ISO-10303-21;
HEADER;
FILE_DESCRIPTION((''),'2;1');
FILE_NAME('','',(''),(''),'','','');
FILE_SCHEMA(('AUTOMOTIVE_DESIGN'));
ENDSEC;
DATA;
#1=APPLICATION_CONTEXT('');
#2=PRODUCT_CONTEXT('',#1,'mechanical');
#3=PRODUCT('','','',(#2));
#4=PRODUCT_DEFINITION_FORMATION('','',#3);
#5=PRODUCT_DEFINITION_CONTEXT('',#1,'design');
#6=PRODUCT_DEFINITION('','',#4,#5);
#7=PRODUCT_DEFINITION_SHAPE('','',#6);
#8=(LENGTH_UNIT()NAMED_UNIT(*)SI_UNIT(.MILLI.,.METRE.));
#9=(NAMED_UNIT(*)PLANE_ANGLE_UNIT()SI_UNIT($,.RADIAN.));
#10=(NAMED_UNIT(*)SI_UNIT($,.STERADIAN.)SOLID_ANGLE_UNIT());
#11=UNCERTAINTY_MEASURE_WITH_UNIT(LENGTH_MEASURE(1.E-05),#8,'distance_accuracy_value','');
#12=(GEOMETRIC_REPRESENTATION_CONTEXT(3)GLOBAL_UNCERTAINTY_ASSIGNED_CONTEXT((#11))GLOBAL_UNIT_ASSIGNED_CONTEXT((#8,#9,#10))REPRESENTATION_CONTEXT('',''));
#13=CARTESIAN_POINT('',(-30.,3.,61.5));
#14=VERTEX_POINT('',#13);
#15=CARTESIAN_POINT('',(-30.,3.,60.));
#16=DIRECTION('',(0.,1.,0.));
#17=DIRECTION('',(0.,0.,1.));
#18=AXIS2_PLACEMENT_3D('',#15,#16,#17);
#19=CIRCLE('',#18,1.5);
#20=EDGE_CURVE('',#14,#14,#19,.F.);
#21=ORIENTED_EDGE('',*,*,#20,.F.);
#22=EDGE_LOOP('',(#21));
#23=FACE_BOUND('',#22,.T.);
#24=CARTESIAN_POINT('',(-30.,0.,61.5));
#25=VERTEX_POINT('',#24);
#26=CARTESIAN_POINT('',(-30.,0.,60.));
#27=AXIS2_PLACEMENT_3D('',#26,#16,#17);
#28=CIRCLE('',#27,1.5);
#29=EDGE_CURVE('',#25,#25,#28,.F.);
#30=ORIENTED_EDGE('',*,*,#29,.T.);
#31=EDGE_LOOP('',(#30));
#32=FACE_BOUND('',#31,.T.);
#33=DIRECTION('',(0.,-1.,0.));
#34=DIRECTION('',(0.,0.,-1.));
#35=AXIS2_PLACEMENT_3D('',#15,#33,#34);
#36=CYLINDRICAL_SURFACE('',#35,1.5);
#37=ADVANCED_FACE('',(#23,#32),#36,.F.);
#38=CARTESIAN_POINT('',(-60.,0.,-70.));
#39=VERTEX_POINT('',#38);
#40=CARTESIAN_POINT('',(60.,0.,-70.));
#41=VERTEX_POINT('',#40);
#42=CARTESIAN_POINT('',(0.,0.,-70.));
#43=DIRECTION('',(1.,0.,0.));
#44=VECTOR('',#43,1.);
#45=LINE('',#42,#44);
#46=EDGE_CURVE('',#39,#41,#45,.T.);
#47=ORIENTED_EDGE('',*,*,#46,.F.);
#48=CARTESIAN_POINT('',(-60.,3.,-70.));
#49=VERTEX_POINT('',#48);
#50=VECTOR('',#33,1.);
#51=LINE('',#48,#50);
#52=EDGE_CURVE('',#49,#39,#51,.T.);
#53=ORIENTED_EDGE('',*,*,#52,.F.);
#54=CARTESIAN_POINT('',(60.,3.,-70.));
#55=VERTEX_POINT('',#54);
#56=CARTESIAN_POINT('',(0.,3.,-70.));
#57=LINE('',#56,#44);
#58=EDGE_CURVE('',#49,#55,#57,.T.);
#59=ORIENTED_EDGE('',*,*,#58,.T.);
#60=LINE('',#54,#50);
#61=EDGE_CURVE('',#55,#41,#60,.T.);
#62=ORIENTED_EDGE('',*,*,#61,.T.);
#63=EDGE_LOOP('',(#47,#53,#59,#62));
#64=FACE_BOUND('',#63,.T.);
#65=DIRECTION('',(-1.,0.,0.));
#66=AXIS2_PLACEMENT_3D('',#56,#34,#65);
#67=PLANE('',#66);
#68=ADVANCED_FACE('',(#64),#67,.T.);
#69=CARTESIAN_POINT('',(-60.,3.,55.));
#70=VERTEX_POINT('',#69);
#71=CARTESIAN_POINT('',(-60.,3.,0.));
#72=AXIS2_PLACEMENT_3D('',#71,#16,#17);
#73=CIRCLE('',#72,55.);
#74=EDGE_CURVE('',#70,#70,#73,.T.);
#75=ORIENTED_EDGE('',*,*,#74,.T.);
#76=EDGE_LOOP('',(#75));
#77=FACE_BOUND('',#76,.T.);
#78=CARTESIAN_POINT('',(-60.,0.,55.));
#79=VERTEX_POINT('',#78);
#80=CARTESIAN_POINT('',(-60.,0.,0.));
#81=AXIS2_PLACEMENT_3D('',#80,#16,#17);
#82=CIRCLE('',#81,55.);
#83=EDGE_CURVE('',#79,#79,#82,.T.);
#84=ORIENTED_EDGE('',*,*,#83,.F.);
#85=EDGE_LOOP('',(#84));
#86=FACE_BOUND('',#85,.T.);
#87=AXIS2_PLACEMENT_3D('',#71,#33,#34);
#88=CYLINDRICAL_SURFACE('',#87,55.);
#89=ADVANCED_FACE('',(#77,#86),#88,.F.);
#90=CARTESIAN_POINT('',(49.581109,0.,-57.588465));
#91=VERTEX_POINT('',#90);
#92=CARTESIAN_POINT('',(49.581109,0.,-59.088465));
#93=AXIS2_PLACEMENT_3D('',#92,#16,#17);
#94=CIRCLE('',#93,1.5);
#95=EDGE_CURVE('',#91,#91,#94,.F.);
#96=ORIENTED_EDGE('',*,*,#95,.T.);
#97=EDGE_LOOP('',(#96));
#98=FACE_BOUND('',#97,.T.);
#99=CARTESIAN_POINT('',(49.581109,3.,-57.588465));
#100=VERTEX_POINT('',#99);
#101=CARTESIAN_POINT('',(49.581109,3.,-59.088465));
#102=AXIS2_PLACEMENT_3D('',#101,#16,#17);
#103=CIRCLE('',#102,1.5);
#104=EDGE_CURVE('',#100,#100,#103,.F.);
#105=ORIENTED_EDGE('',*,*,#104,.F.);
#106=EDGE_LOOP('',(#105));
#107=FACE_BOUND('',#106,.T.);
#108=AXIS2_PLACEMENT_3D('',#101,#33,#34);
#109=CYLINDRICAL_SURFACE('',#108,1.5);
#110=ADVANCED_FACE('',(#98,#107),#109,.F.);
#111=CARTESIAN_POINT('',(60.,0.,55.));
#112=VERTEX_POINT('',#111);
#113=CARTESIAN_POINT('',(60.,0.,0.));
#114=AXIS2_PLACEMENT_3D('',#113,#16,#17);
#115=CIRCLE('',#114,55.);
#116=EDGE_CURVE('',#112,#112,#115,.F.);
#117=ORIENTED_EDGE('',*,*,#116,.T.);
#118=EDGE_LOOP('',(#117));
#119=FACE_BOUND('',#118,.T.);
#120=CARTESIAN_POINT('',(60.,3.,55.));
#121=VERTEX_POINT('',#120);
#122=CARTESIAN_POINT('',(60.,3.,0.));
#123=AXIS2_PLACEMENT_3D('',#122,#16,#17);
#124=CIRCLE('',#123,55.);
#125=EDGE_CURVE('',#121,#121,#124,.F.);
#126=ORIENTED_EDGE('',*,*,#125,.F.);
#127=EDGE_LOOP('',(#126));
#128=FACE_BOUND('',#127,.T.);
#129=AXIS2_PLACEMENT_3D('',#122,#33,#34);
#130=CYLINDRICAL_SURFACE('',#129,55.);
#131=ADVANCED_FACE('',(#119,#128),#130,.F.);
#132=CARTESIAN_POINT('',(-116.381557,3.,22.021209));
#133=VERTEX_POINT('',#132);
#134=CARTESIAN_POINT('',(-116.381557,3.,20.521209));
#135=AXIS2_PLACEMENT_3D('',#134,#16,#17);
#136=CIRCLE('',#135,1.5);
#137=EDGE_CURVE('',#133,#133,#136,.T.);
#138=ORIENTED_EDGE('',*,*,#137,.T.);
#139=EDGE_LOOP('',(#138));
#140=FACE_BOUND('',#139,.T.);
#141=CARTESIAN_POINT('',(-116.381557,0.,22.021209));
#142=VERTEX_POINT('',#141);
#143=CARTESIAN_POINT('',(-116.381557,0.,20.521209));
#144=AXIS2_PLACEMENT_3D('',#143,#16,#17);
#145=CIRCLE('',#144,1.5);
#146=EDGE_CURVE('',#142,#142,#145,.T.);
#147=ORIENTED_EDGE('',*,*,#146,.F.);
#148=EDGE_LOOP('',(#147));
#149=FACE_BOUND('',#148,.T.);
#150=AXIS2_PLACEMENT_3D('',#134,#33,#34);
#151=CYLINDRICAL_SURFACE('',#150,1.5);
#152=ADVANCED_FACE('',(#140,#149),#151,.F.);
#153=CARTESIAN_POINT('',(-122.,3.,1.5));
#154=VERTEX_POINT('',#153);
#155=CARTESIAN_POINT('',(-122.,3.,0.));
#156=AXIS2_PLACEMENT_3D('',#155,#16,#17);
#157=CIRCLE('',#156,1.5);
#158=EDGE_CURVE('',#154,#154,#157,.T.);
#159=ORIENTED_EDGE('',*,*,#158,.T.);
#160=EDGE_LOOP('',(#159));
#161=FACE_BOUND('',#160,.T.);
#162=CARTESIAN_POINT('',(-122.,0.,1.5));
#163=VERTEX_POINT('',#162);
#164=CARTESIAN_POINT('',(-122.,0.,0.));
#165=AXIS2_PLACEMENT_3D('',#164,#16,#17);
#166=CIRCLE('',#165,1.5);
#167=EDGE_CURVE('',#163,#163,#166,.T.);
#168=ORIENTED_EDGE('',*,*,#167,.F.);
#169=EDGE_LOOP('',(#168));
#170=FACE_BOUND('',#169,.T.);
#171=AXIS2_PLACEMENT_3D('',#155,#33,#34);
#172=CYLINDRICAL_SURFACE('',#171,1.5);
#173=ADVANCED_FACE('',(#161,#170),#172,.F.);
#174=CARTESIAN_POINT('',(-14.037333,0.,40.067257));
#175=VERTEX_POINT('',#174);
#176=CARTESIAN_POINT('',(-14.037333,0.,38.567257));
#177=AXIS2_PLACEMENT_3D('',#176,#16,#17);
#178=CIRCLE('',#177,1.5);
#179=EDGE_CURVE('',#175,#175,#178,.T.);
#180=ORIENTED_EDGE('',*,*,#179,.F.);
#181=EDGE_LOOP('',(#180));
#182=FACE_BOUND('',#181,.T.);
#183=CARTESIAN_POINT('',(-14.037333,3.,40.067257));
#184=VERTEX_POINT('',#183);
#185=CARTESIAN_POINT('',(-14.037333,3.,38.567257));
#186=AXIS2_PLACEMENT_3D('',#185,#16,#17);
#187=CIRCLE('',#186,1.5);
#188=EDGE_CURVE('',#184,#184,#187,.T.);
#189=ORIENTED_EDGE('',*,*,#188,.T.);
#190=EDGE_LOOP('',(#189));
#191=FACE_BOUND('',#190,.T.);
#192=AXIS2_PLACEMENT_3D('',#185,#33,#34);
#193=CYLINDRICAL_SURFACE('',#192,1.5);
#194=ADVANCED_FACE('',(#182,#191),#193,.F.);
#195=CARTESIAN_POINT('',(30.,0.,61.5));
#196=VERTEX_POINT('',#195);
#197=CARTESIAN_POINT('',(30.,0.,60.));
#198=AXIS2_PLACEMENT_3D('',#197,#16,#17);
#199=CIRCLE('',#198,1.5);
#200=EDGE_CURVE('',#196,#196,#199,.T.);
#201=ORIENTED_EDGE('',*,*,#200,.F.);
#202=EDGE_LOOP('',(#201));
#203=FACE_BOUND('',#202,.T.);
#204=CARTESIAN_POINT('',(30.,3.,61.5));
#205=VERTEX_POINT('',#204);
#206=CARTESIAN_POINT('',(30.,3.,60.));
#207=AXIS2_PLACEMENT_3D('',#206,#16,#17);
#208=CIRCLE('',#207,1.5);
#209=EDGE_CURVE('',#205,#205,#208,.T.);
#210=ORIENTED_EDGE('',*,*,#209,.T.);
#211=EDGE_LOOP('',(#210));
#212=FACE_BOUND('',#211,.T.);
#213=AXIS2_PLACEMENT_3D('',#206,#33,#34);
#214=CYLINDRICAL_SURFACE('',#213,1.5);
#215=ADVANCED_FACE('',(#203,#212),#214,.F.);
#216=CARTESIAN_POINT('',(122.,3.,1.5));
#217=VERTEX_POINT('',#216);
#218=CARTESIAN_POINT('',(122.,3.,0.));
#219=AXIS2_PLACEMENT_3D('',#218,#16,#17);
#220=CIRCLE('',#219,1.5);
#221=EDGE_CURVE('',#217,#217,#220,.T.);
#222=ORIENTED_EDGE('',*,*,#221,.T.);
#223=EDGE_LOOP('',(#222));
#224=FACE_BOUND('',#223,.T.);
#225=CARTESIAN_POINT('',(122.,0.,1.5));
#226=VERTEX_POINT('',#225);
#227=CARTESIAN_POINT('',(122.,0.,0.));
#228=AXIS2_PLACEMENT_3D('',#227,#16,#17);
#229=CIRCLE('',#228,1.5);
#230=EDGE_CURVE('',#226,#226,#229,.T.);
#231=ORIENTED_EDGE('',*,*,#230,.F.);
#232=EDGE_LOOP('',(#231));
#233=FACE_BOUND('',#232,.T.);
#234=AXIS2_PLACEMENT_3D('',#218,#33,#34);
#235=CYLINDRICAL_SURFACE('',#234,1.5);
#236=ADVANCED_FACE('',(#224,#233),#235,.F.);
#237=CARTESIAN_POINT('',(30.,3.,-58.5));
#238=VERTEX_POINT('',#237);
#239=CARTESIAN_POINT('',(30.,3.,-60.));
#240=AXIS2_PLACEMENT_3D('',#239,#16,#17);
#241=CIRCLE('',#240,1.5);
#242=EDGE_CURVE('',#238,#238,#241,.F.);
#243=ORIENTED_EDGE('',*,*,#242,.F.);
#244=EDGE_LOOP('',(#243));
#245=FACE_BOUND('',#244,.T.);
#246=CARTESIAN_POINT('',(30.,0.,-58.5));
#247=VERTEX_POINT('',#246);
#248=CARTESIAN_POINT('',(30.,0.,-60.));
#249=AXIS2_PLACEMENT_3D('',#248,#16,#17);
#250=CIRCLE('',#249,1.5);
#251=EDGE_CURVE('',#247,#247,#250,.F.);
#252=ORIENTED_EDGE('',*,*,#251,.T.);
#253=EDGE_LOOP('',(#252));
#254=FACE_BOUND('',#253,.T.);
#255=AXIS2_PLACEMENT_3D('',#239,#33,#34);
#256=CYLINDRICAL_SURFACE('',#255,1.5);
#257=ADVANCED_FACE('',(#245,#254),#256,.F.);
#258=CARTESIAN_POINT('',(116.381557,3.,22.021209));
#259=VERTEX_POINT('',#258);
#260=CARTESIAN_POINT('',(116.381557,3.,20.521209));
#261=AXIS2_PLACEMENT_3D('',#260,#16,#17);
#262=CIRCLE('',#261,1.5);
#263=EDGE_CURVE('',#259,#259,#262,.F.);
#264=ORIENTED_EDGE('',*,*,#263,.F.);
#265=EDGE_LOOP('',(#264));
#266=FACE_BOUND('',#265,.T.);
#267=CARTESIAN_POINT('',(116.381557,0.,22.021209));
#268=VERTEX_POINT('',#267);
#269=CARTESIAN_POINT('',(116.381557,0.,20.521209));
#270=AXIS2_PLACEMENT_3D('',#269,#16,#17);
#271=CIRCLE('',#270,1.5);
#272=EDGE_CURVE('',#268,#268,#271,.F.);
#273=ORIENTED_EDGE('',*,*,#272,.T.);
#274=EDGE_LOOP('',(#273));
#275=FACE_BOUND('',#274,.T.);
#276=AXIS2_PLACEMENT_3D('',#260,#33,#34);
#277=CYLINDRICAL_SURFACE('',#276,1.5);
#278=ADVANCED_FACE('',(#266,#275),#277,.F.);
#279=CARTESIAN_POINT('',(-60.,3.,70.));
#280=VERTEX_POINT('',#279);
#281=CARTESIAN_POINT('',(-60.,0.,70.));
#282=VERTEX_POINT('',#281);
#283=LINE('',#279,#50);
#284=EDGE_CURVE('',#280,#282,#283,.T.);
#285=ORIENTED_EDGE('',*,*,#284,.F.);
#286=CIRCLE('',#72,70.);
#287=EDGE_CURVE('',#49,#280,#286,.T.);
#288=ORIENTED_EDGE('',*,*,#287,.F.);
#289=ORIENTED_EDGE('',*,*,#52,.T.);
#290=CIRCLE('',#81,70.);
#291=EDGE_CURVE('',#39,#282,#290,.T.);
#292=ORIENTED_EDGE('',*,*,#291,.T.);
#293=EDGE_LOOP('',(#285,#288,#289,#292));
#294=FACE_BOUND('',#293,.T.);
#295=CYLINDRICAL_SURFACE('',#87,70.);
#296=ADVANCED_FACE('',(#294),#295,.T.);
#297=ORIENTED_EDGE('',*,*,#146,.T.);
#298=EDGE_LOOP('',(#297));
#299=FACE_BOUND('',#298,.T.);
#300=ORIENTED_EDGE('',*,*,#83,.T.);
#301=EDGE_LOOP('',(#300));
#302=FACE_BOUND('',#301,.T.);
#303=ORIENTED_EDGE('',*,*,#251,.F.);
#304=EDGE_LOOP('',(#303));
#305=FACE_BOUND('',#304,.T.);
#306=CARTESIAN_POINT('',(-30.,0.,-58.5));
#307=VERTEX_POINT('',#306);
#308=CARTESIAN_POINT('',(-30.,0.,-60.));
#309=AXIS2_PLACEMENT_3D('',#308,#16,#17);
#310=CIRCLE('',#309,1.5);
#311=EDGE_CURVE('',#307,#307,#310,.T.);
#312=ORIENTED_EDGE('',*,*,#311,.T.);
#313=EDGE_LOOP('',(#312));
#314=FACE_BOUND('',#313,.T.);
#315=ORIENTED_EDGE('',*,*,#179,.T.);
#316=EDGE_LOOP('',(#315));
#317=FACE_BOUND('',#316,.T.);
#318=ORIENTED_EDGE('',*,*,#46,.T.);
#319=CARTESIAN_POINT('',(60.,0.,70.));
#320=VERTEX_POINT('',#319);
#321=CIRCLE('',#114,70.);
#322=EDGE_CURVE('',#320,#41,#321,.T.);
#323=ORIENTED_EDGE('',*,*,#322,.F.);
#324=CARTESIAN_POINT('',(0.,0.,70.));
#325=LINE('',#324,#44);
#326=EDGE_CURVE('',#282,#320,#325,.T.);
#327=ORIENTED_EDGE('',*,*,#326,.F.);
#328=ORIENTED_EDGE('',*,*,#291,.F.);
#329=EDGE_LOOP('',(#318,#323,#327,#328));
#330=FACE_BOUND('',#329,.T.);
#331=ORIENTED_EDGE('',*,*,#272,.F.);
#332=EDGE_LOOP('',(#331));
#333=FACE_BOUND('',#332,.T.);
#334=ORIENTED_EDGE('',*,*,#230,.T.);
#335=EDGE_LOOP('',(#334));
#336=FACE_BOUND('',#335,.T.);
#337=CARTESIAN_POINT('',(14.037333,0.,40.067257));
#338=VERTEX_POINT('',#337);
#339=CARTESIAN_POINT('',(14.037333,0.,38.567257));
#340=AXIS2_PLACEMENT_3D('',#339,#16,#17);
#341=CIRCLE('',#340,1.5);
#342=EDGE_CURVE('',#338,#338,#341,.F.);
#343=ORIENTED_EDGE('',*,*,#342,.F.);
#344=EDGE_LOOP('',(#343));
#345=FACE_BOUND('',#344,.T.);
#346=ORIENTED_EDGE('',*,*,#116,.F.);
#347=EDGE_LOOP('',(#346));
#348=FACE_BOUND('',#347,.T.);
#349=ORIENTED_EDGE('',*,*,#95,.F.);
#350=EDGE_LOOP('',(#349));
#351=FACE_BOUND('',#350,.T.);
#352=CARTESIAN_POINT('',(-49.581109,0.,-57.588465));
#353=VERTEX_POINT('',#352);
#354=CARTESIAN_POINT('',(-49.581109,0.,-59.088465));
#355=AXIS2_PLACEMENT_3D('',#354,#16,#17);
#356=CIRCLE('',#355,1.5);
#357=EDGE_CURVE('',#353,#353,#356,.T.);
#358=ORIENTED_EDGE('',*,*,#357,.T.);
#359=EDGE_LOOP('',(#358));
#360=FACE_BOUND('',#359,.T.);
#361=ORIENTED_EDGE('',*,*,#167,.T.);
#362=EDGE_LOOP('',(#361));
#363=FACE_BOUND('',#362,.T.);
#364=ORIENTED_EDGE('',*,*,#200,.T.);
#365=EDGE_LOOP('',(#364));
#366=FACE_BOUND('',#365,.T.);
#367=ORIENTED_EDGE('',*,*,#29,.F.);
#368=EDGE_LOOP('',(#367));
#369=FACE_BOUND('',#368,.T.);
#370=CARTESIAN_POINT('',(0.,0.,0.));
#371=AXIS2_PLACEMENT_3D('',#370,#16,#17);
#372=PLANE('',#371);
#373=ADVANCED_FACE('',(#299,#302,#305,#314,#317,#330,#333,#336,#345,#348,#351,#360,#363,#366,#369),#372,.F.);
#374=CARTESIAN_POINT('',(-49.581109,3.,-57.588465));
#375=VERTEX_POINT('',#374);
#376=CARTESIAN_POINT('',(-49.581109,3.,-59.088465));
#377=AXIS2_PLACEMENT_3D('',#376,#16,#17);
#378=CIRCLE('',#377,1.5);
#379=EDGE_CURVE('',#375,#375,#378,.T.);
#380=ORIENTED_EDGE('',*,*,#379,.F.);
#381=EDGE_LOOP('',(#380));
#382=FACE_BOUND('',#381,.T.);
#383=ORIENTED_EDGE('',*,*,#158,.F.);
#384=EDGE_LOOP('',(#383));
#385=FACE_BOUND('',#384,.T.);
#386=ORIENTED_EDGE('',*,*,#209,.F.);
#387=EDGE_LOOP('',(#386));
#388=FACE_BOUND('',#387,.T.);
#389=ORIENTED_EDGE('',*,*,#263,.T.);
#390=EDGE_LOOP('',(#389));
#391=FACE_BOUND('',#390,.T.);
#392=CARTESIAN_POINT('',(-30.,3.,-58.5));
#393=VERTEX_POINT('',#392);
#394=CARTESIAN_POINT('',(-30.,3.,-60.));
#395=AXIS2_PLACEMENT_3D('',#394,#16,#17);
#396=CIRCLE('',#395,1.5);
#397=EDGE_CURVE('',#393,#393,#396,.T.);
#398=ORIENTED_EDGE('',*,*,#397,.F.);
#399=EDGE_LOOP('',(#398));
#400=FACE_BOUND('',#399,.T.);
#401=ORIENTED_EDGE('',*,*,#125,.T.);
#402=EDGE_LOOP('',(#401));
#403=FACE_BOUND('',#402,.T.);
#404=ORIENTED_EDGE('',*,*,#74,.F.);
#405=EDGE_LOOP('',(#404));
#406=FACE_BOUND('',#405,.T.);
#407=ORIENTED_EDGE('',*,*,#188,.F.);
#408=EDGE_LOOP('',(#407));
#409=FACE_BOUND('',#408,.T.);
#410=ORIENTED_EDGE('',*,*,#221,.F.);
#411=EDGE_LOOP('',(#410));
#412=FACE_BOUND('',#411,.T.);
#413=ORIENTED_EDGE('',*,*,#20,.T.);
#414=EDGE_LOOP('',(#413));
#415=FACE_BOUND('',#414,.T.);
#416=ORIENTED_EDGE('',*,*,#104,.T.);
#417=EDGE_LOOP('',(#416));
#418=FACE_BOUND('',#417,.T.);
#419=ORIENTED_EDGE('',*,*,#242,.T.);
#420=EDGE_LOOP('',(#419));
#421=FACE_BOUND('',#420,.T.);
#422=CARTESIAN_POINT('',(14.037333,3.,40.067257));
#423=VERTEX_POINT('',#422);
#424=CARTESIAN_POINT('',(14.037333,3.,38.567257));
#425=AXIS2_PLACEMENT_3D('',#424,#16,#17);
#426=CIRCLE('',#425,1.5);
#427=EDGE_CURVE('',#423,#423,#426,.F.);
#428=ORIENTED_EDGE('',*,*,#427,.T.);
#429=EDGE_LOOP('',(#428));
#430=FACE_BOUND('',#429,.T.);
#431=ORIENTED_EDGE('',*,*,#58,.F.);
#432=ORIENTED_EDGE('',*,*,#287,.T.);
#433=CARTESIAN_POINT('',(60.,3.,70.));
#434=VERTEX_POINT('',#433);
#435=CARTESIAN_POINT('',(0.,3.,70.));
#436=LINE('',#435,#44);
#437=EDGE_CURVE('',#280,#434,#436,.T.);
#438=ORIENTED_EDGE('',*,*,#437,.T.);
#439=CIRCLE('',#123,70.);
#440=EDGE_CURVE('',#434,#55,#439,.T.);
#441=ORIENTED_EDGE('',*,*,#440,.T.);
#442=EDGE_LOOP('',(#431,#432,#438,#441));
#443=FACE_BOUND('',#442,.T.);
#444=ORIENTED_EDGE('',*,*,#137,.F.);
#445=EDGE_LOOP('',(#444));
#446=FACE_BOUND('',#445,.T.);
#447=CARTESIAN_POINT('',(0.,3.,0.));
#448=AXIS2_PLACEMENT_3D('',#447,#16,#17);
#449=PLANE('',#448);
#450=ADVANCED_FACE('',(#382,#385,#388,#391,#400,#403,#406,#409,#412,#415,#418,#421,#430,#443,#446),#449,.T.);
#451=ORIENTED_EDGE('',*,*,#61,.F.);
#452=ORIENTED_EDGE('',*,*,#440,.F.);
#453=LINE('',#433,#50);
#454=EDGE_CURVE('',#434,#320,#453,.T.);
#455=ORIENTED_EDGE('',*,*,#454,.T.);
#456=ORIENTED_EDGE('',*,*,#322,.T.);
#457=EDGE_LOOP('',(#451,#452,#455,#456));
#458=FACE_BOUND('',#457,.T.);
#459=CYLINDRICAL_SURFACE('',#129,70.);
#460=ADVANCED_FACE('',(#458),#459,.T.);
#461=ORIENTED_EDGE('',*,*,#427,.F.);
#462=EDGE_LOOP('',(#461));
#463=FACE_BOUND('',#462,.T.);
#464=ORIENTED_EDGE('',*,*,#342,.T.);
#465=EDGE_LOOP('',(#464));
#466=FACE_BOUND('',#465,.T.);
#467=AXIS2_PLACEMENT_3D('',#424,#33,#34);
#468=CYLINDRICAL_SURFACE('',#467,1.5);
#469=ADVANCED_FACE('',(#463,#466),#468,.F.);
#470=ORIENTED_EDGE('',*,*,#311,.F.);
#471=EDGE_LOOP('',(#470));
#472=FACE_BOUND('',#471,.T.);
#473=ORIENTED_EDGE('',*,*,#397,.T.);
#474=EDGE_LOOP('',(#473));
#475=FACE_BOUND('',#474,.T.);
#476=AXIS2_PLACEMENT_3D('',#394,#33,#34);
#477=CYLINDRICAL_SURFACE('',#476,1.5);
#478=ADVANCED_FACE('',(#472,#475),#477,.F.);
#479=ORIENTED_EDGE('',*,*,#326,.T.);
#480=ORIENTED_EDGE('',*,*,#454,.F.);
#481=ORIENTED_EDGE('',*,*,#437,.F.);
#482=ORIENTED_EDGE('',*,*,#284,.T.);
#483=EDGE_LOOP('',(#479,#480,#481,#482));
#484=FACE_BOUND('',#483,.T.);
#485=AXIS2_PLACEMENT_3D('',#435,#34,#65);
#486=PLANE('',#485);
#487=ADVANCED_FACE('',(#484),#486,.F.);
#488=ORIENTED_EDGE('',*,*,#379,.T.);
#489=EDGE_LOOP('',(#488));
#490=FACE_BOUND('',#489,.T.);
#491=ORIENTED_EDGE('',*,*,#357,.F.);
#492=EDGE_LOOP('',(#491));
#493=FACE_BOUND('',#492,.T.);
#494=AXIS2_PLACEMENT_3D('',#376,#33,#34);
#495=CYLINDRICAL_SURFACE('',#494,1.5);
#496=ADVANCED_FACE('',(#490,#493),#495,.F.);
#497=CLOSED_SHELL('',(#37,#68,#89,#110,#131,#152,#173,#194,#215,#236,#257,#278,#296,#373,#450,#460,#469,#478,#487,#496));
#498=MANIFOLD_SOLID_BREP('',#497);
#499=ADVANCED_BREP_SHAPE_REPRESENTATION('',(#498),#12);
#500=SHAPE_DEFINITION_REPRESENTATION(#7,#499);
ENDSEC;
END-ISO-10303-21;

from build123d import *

# Parameters (mm, degrees)
SKETCH_1_R      = 55
SKETCH_1_R_2    = 1.5
EXTRUDE_2_DEPTH = 3


with BuildPart() as part:
    # 草图1 → 凸台-拉伸2 (new body)
    with BuildSketch(Plane(origin=(0, 0, 0), x_dir=(1, 0, 0), z_dir=(0, 1, 0))):
        with BuildLine():
            Line((-60, 70), (60, 70))
            ThreePointArc((60, 70), (130, 0), (60, -70))
            Line((60, -70), (-60, -70))
            ThreePointArc((-60, -70), (-130, 0), (-60, 70))
        make_face()
        with Locations((-60, 0)):
            Circle(SKETCH_1_R, mode=Mode.SUBTRACT)
        with Locations((60, 0)):
            Circle(SKETCH_1_R, mode=Mode.SUBTRACT)
        with Locations((-122, 0)):
            Circle(SKETCH_1_R_2, mode=Mode.SUBTRACT)
        with Locations((122, 0)):
            Circle(SKETCH_1_R_2, mode=Mode.SUBTRACT)
        with Locations((-30, 60)):
            Circle(SKETCH_1_R_2, mode=Mode.SUBTRACT)
        with Locations((30, 60)):
            Circle(SKETCH_1_R_2, mode=Mode.SUBTRACT)
        with Locations((30, -60)):
            Circle(SKETCH_1_R_2, mode=Mode.SUBTRACT)
        with Locations((-30, -60)):
            Circle(SKETCH_1_R_2, mode=Mode.SUBTRACT)
        with Locations((-49.58110934, 59.088465181)):
            Circle(SKETCH_1_R_2, mode=Mode.SUBTRACT)
        with Locations((-116.381557247, -20.5212086)):
            Circle(SKETCH_1_R_2, mode=Mode.SUBTRACT)
        with Locations((-14.037333413, -38.567256581)):
            Circle(SKETCH_1_R_2, mode=Mode.SUBTRACT)
        with Locations((14.037333413, -38.567256581)):
            Circle(SKETCH_1_R_2, mode=Mode.SUBTRACT)
        with Locations((116.381557247, -20.5212086)):
            Circle(SKETCH_1_R_2, mode=Mode.SUBTRACT)
        with Locations((49.58110934, 59.088465181)):
            Circle(SKETCH_1_R_2, mode=Mode.SUBTRACT)
    extrude(amount=EXTRUDE_2_DEPTH)


solid = part.part
